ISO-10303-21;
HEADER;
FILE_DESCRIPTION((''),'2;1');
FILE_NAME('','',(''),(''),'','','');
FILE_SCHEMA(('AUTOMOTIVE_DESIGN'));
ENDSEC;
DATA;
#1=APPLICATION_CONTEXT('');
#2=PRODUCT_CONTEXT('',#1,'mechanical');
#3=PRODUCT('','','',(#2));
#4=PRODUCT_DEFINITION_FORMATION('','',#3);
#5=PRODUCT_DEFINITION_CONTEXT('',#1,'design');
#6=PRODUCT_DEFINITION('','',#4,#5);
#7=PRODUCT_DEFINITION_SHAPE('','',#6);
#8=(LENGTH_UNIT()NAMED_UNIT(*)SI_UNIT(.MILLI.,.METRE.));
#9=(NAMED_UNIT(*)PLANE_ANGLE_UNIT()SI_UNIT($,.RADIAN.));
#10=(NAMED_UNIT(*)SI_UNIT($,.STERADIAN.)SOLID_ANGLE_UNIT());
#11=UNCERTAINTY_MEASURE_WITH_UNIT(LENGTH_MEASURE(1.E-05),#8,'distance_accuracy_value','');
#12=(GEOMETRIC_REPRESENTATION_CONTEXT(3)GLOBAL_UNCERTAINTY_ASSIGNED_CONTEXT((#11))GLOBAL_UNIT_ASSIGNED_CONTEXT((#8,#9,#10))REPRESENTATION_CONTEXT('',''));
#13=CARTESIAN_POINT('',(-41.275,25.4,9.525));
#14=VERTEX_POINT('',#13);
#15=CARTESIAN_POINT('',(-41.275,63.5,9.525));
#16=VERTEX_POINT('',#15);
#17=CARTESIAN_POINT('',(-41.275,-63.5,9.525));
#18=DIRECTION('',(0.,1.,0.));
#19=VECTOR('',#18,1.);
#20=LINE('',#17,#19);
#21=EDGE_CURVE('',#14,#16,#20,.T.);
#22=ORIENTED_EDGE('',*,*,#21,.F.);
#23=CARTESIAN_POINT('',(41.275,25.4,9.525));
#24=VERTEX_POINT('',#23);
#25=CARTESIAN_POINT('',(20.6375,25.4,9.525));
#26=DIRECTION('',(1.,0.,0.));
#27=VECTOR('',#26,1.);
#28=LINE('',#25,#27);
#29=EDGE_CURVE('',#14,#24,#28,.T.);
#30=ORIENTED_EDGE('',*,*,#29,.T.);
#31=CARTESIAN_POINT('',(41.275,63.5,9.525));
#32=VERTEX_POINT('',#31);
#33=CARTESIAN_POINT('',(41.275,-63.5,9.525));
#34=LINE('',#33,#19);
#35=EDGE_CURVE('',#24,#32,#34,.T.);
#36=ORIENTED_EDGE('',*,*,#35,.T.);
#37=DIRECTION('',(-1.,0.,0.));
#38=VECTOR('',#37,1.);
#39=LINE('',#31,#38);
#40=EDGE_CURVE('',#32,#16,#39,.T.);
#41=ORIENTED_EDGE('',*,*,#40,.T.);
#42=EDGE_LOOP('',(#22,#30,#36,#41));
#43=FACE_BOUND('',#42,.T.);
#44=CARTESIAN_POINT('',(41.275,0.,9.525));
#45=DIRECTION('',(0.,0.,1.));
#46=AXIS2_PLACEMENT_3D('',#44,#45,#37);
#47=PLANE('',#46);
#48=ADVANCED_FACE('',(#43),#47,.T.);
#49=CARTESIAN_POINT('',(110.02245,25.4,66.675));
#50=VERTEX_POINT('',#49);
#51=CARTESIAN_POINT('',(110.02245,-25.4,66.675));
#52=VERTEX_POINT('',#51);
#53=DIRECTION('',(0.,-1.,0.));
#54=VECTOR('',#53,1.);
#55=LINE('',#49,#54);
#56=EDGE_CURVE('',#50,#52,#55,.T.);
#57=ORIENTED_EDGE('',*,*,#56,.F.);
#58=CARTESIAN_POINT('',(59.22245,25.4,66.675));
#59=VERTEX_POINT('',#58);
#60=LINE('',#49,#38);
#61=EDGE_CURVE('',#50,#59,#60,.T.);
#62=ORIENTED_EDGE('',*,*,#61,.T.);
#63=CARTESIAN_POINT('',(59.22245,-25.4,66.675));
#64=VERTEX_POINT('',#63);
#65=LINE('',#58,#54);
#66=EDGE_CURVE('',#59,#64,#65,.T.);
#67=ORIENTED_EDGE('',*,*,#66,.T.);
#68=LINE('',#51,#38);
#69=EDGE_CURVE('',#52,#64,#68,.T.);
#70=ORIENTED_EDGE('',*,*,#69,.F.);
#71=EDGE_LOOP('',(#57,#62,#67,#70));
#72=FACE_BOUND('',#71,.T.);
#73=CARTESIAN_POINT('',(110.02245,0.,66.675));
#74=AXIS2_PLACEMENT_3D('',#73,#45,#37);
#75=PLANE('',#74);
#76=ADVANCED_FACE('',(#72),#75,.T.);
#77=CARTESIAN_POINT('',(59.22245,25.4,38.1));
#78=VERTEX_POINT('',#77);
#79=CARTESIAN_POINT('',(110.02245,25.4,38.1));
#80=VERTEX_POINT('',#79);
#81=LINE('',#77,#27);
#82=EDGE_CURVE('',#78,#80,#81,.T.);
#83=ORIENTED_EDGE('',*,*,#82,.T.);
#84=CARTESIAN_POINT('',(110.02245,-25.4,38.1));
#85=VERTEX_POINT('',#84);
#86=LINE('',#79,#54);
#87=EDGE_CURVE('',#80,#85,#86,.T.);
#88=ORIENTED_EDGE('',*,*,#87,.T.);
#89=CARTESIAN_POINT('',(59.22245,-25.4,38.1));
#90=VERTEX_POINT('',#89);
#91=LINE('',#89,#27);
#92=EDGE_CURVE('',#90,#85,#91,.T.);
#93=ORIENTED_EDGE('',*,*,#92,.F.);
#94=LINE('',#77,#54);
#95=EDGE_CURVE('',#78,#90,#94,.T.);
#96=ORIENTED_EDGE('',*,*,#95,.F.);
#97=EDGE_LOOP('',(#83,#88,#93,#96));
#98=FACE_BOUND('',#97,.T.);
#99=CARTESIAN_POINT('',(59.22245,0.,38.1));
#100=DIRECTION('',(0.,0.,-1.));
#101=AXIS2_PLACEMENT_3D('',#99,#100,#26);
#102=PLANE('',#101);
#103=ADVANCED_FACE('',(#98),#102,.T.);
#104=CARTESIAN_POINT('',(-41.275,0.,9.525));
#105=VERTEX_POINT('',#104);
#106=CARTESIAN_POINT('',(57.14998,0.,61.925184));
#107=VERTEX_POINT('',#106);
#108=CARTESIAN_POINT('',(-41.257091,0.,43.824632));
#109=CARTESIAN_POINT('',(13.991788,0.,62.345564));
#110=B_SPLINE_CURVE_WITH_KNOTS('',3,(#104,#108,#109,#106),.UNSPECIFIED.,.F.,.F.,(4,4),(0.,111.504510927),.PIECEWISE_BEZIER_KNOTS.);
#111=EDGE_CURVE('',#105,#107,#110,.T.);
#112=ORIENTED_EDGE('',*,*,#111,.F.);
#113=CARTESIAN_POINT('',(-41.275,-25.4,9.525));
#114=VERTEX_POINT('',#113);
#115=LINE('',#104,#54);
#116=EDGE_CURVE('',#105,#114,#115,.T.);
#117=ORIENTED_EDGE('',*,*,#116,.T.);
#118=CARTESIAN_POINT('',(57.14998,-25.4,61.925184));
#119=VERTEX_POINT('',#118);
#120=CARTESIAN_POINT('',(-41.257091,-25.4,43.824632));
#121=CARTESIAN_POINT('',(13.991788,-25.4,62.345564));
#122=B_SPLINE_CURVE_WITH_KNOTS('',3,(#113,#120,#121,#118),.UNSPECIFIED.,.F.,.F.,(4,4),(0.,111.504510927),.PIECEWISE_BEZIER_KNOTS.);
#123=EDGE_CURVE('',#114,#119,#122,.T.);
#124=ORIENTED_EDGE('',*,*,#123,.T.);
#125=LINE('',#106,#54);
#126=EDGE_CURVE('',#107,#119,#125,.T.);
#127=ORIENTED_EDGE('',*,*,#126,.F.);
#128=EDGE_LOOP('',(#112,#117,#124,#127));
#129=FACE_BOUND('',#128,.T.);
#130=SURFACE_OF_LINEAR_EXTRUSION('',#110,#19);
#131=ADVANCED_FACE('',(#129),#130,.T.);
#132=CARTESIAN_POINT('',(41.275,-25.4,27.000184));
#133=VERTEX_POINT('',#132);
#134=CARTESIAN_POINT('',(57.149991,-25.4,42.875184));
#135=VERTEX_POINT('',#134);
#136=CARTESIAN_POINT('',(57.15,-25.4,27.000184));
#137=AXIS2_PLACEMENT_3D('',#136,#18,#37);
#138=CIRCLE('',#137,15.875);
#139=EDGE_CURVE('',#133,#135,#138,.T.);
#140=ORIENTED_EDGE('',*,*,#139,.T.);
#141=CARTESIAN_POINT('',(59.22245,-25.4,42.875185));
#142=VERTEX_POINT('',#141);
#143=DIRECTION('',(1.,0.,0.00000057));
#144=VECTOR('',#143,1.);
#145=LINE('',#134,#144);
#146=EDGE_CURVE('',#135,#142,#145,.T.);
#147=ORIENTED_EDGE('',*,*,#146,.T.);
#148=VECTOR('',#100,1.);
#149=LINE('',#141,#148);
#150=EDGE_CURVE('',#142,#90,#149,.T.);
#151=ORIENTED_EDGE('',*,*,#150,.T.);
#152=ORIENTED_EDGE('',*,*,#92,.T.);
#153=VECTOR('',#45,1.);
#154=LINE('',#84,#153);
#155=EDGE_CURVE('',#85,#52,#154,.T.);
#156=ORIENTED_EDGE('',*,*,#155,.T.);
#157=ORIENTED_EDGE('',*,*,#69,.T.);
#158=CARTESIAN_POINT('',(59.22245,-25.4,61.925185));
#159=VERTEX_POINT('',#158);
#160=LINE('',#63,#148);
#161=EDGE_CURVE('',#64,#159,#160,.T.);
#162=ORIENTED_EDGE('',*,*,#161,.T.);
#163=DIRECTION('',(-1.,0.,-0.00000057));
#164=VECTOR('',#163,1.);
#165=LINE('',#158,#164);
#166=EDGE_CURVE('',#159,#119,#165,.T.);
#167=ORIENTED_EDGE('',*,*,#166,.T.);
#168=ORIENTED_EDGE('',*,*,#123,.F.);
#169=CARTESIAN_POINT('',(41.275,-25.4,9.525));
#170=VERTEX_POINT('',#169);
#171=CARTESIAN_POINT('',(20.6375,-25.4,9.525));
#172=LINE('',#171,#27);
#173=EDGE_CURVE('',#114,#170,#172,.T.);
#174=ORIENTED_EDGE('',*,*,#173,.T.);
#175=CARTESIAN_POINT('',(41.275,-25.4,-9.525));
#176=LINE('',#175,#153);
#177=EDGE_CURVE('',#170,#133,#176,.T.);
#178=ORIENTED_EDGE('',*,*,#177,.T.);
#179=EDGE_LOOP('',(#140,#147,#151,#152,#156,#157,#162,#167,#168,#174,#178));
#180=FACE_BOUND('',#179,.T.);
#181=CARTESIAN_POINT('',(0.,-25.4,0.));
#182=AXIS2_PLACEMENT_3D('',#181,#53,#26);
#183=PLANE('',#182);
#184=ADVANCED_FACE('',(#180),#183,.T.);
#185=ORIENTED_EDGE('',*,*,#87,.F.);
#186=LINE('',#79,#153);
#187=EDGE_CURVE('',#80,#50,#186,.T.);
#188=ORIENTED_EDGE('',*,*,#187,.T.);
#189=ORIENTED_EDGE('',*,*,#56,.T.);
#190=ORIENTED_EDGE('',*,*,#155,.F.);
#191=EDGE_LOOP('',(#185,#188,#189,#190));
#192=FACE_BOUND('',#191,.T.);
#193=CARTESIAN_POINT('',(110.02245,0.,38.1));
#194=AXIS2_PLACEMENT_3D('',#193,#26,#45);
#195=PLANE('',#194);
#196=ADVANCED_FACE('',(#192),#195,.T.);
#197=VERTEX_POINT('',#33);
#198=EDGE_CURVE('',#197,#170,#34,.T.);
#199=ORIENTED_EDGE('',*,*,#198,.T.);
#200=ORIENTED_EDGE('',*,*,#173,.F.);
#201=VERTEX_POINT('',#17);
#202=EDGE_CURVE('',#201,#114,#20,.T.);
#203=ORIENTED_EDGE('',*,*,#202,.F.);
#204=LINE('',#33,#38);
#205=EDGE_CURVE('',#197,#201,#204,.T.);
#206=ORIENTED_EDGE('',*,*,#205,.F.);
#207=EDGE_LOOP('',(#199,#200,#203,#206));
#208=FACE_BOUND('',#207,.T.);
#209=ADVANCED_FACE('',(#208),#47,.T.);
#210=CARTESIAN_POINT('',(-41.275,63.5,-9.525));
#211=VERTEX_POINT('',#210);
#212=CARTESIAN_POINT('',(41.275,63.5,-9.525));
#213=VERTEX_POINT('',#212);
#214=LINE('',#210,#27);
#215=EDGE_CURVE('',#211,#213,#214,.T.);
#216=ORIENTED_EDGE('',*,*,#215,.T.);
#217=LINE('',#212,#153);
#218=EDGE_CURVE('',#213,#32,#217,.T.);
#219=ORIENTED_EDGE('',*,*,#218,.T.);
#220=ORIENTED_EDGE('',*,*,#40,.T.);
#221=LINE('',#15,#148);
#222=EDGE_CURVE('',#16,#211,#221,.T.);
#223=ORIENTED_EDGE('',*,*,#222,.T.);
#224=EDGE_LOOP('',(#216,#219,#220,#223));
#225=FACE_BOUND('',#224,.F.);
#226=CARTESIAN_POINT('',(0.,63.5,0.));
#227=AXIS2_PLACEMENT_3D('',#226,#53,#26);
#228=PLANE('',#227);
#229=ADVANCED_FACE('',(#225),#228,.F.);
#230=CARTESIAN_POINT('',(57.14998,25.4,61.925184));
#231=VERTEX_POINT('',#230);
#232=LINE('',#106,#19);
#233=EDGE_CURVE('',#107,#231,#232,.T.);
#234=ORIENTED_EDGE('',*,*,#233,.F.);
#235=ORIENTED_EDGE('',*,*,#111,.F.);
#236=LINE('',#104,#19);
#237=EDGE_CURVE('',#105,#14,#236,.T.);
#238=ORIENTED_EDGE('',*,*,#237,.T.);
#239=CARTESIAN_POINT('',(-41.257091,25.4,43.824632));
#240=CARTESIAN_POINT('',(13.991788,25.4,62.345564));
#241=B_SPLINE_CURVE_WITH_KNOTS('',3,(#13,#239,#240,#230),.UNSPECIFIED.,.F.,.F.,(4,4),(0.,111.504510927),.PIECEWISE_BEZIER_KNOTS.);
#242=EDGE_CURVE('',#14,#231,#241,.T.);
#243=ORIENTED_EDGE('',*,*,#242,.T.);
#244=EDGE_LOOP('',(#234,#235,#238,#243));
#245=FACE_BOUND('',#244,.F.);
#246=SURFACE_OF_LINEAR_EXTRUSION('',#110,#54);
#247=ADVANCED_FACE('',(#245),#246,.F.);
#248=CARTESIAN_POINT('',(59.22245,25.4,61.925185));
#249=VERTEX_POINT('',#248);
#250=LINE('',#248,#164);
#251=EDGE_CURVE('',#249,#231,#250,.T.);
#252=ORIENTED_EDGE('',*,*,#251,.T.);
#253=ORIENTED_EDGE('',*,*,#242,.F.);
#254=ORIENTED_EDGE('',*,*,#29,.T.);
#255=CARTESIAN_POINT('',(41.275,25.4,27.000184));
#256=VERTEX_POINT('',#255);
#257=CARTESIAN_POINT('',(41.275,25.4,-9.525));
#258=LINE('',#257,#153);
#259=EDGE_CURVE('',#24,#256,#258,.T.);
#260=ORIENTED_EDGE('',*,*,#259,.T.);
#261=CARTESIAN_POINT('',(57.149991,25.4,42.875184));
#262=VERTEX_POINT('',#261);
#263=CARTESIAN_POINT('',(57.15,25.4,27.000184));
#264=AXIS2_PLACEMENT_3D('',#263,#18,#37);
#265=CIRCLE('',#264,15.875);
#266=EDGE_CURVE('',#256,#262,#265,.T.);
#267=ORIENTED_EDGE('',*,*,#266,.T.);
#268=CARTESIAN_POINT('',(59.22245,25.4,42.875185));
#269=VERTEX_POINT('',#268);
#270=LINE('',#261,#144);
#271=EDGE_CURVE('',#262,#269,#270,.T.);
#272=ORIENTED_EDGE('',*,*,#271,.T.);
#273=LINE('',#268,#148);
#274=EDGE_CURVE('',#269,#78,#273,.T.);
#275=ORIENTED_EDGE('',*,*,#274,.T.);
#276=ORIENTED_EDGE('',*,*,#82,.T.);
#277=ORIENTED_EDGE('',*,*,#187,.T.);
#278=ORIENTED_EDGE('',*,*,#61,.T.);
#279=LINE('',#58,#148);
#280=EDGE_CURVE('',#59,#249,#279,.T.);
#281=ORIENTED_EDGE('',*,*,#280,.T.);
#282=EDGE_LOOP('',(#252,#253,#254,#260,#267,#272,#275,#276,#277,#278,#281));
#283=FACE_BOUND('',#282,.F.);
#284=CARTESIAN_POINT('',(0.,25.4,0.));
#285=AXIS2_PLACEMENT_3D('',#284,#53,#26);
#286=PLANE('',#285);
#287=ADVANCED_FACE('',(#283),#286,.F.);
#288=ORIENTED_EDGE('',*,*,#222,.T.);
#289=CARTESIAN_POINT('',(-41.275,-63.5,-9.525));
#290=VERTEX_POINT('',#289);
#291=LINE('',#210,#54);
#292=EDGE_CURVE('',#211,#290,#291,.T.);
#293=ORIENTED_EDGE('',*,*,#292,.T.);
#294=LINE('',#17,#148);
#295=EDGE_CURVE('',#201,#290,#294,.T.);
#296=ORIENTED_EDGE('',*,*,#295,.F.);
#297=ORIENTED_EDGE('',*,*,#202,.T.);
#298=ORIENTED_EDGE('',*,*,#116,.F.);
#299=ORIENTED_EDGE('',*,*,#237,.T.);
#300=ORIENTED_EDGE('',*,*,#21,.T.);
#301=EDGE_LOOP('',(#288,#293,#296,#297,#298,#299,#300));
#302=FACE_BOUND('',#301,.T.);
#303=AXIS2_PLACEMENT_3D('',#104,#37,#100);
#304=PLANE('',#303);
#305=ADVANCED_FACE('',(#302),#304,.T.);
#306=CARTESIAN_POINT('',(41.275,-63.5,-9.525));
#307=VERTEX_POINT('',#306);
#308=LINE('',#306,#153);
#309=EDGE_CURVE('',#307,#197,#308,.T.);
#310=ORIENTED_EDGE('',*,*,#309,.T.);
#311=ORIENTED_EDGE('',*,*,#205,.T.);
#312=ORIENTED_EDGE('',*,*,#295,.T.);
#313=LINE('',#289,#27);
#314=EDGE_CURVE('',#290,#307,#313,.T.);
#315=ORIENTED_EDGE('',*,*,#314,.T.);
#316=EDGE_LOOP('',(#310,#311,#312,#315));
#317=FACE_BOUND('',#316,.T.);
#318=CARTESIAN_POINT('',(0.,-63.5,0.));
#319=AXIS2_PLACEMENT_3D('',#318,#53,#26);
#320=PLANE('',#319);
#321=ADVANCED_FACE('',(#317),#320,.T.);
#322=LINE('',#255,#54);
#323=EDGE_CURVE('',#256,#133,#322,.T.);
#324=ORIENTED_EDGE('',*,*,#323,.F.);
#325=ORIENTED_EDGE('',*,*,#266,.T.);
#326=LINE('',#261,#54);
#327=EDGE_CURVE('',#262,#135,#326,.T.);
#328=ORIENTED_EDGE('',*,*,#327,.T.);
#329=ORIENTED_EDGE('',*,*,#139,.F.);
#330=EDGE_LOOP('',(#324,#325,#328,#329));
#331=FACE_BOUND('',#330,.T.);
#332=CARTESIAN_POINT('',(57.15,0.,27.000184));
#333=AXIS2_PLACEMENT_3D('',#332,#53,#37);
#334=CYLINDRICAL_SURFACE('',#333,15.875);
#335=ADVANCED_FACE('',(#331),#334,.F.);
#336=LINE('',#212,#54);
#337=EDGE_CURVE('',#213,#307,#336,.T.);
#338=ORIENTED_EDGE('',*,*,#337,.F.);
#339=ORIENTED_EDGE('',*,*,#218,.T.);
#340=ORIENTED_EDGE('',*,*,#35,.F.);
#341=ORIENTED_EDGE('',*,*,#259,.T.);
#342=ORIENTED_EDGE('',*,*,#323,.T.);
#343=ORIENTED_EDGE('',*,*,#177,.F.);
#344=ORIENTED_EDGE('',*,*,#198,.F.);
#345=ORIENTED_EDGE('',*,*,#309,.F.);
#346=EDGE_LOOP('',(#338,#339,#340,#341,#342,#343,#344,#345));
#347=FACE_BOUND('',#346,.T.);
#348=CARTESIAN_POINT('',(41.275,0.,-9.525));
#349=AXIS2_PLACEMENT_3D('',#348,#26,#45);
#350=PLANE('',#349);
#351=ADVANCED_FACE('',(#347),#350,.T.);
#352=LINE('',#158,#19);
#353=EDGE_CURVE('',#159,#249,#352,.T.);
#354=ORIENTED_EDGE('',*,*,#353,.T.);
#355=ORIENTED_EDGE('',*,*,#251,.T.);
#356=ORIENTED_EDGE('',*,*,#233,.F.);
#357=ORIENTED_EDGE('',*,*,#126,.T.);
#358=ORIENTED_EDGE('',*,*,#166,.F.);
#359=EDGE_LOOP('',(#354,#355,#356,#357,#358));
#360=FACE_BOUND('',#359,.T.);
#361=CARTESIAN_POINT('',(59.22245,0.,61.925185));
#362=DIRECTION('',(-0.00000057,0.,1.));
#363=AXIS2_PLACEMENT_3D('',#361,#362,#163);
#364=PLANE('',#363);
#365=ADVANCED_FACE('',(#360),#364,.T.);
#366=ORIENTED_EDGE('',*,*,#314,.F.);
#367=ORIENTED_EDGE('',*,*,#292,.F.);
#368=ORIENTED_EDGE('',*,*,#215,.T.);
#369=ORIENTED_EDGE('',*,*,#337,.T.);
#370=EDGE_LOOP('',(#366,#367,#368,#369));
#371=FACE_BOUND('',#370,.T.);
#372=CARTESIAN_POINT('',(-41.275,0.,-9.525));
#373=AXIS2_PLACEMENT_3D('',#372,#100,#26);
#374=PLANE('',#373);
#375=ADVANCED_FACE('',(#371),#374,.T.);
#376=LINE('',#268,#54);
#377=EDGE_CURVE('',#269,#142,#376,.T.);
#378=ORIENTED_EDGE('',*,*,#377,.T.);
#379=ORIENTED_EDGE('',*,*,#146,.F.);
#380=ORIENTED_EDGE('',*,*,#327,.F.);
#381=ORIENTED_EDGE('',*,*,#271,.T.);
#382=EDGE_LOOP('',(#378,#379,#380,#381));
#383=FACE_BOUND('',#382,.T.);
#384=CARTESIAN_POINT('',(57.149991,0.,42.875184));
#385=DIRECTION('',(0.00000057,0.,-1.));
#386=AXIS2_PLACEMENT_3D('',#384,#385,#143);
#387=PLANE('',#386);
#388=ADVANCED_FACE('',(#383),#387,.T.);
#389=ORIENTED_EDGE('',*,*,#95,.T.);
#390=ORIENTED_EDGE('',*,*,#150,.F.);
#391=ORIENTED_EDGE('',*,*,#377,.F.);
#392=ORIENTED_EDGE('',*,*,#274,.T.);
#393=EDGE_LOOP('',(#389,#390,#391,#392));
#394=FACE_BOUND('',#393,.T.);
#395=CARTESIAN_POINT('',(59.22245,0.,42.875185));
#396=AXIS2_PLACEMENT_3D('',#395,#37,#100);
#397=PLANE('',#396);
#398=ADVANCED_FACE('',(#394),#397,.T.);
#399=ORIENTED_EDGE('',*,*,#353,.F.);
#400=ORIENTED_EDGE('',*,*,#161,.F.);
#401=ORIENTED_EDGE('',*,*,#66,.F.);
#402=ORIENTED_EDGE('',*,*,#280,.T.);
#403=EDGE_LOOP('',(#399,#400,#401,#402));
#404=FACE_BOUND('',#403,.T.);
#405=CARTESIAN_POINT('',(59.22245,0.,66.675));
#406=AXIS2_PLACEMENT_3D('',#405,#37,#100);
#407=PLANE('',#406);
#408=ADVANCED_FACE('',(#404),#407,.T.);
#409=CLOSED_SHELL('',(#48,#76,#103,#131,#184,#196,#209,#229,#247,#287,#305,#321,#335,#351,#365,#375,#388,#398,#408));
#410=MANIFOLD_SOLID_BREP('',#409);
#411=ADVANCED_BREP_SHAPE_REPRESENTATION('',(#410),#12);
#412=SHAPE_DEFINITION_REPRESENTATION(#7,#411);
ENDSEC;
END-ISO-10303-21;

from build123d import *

# Parameters (mm, degrees)
F1_DEPTH = 63.5
F2_DEPTH = 25.4


with BuildPart() as f1:
    # F0 (on Front) → F1 (new body, symmetric)
    with BuildSketch(Plane.XZ):
        Polygon((-41.275, 9.525), (-41.275, -9.525), (41.275, -9.525), (41.275, 9.525), (22.225, 9.525), align=None)
    extrude(amount=F1_DEPTH, both=True)

    # F0 (on Front) → F2 (join, symmetric)
    with BuildSketch(Plane.XZ):
        Polygon((-41.275, 9.525), (-41.275, -9.525), (41.275, -9.525), (41.275, 9.525), (22.225, 9.525), align=None)
        with BuildLine():
            add(Edge.make_bspline(
                [(-41.275, 9.525), (-41.2570908666, 43.8246317208), (13.9917880297, 62.3455643654), (57.1499800845, 61.9251837055)],
                knots=[0, 0, 0, 0, 111.5045109268, 111.5045109268, 111.5045109268, 111.5045109268], degree=3))
            Line((-41.275, 9.525), (22.225, 9.525))
            Line((22.225, 9.525), (22.225, 27.0001837055))
            ThreePointArc((22.225, 27.0001837055), (32.4542886259, 51.6958809973), (57.1499800845, 61.9251837055))
        make_face()
        with BuildLine():
            Line((22.225, 9.525), (41.275, 9.525))
            Line((41.275, 9.525), (41.275, 27.0001837055))
            ThreePointArc((41.275, 27.0001837055), (45.9246766481, 38.2255006563), (57.1499909475, 42.8751837055))
            Line((57.1499909475, 42.8751837055), (59.2224501729, 42.8751848873))
            Line((59.2224501729, 42.8751848873), (59.2224501729, 61.9251848873))
            Line((59.2224501729, 61.9251848873), (57.1499800845, 61.9251837055))
            ThreePointArc((57.1499800845, 61.9251837055), (32.4542886259, 51.6958809973), (22.225, 27.0001837055))
            Line((22.225, 27.0001837055), (22.225, 9.525))
        make_face()
        Polygon((84.6224501729, 61.9251993713), (59.2224501729, 61.9251848873), (59.2224501729, 42.8751848873), (84.6224501729, 42.8751993713), align=None)
        Polygon((59.2224501729, 66.675), (59.2224501729, 61.9251848873), (84.6224501729, 61.9251993713), (84.6224501729, 66.675), align=None)
        Polygon((84.6224501729, 42.8751993713), (59.2224501729, 42.8751848873), (59.2224501729, 38.1), (84.6224501729, 38.1), align=None)
        Polygon((84.6224501729, 66.675), (84.6224501729, 61.9251993713), (84.6224501729, 42.8751993713), (84.6224501729, 38.1), (110.0224501729, 38.1), (110.0224501729, 66.675), align=None)
    extrude(amount=F2_DEPTH, both=True)


solid = f1.part
